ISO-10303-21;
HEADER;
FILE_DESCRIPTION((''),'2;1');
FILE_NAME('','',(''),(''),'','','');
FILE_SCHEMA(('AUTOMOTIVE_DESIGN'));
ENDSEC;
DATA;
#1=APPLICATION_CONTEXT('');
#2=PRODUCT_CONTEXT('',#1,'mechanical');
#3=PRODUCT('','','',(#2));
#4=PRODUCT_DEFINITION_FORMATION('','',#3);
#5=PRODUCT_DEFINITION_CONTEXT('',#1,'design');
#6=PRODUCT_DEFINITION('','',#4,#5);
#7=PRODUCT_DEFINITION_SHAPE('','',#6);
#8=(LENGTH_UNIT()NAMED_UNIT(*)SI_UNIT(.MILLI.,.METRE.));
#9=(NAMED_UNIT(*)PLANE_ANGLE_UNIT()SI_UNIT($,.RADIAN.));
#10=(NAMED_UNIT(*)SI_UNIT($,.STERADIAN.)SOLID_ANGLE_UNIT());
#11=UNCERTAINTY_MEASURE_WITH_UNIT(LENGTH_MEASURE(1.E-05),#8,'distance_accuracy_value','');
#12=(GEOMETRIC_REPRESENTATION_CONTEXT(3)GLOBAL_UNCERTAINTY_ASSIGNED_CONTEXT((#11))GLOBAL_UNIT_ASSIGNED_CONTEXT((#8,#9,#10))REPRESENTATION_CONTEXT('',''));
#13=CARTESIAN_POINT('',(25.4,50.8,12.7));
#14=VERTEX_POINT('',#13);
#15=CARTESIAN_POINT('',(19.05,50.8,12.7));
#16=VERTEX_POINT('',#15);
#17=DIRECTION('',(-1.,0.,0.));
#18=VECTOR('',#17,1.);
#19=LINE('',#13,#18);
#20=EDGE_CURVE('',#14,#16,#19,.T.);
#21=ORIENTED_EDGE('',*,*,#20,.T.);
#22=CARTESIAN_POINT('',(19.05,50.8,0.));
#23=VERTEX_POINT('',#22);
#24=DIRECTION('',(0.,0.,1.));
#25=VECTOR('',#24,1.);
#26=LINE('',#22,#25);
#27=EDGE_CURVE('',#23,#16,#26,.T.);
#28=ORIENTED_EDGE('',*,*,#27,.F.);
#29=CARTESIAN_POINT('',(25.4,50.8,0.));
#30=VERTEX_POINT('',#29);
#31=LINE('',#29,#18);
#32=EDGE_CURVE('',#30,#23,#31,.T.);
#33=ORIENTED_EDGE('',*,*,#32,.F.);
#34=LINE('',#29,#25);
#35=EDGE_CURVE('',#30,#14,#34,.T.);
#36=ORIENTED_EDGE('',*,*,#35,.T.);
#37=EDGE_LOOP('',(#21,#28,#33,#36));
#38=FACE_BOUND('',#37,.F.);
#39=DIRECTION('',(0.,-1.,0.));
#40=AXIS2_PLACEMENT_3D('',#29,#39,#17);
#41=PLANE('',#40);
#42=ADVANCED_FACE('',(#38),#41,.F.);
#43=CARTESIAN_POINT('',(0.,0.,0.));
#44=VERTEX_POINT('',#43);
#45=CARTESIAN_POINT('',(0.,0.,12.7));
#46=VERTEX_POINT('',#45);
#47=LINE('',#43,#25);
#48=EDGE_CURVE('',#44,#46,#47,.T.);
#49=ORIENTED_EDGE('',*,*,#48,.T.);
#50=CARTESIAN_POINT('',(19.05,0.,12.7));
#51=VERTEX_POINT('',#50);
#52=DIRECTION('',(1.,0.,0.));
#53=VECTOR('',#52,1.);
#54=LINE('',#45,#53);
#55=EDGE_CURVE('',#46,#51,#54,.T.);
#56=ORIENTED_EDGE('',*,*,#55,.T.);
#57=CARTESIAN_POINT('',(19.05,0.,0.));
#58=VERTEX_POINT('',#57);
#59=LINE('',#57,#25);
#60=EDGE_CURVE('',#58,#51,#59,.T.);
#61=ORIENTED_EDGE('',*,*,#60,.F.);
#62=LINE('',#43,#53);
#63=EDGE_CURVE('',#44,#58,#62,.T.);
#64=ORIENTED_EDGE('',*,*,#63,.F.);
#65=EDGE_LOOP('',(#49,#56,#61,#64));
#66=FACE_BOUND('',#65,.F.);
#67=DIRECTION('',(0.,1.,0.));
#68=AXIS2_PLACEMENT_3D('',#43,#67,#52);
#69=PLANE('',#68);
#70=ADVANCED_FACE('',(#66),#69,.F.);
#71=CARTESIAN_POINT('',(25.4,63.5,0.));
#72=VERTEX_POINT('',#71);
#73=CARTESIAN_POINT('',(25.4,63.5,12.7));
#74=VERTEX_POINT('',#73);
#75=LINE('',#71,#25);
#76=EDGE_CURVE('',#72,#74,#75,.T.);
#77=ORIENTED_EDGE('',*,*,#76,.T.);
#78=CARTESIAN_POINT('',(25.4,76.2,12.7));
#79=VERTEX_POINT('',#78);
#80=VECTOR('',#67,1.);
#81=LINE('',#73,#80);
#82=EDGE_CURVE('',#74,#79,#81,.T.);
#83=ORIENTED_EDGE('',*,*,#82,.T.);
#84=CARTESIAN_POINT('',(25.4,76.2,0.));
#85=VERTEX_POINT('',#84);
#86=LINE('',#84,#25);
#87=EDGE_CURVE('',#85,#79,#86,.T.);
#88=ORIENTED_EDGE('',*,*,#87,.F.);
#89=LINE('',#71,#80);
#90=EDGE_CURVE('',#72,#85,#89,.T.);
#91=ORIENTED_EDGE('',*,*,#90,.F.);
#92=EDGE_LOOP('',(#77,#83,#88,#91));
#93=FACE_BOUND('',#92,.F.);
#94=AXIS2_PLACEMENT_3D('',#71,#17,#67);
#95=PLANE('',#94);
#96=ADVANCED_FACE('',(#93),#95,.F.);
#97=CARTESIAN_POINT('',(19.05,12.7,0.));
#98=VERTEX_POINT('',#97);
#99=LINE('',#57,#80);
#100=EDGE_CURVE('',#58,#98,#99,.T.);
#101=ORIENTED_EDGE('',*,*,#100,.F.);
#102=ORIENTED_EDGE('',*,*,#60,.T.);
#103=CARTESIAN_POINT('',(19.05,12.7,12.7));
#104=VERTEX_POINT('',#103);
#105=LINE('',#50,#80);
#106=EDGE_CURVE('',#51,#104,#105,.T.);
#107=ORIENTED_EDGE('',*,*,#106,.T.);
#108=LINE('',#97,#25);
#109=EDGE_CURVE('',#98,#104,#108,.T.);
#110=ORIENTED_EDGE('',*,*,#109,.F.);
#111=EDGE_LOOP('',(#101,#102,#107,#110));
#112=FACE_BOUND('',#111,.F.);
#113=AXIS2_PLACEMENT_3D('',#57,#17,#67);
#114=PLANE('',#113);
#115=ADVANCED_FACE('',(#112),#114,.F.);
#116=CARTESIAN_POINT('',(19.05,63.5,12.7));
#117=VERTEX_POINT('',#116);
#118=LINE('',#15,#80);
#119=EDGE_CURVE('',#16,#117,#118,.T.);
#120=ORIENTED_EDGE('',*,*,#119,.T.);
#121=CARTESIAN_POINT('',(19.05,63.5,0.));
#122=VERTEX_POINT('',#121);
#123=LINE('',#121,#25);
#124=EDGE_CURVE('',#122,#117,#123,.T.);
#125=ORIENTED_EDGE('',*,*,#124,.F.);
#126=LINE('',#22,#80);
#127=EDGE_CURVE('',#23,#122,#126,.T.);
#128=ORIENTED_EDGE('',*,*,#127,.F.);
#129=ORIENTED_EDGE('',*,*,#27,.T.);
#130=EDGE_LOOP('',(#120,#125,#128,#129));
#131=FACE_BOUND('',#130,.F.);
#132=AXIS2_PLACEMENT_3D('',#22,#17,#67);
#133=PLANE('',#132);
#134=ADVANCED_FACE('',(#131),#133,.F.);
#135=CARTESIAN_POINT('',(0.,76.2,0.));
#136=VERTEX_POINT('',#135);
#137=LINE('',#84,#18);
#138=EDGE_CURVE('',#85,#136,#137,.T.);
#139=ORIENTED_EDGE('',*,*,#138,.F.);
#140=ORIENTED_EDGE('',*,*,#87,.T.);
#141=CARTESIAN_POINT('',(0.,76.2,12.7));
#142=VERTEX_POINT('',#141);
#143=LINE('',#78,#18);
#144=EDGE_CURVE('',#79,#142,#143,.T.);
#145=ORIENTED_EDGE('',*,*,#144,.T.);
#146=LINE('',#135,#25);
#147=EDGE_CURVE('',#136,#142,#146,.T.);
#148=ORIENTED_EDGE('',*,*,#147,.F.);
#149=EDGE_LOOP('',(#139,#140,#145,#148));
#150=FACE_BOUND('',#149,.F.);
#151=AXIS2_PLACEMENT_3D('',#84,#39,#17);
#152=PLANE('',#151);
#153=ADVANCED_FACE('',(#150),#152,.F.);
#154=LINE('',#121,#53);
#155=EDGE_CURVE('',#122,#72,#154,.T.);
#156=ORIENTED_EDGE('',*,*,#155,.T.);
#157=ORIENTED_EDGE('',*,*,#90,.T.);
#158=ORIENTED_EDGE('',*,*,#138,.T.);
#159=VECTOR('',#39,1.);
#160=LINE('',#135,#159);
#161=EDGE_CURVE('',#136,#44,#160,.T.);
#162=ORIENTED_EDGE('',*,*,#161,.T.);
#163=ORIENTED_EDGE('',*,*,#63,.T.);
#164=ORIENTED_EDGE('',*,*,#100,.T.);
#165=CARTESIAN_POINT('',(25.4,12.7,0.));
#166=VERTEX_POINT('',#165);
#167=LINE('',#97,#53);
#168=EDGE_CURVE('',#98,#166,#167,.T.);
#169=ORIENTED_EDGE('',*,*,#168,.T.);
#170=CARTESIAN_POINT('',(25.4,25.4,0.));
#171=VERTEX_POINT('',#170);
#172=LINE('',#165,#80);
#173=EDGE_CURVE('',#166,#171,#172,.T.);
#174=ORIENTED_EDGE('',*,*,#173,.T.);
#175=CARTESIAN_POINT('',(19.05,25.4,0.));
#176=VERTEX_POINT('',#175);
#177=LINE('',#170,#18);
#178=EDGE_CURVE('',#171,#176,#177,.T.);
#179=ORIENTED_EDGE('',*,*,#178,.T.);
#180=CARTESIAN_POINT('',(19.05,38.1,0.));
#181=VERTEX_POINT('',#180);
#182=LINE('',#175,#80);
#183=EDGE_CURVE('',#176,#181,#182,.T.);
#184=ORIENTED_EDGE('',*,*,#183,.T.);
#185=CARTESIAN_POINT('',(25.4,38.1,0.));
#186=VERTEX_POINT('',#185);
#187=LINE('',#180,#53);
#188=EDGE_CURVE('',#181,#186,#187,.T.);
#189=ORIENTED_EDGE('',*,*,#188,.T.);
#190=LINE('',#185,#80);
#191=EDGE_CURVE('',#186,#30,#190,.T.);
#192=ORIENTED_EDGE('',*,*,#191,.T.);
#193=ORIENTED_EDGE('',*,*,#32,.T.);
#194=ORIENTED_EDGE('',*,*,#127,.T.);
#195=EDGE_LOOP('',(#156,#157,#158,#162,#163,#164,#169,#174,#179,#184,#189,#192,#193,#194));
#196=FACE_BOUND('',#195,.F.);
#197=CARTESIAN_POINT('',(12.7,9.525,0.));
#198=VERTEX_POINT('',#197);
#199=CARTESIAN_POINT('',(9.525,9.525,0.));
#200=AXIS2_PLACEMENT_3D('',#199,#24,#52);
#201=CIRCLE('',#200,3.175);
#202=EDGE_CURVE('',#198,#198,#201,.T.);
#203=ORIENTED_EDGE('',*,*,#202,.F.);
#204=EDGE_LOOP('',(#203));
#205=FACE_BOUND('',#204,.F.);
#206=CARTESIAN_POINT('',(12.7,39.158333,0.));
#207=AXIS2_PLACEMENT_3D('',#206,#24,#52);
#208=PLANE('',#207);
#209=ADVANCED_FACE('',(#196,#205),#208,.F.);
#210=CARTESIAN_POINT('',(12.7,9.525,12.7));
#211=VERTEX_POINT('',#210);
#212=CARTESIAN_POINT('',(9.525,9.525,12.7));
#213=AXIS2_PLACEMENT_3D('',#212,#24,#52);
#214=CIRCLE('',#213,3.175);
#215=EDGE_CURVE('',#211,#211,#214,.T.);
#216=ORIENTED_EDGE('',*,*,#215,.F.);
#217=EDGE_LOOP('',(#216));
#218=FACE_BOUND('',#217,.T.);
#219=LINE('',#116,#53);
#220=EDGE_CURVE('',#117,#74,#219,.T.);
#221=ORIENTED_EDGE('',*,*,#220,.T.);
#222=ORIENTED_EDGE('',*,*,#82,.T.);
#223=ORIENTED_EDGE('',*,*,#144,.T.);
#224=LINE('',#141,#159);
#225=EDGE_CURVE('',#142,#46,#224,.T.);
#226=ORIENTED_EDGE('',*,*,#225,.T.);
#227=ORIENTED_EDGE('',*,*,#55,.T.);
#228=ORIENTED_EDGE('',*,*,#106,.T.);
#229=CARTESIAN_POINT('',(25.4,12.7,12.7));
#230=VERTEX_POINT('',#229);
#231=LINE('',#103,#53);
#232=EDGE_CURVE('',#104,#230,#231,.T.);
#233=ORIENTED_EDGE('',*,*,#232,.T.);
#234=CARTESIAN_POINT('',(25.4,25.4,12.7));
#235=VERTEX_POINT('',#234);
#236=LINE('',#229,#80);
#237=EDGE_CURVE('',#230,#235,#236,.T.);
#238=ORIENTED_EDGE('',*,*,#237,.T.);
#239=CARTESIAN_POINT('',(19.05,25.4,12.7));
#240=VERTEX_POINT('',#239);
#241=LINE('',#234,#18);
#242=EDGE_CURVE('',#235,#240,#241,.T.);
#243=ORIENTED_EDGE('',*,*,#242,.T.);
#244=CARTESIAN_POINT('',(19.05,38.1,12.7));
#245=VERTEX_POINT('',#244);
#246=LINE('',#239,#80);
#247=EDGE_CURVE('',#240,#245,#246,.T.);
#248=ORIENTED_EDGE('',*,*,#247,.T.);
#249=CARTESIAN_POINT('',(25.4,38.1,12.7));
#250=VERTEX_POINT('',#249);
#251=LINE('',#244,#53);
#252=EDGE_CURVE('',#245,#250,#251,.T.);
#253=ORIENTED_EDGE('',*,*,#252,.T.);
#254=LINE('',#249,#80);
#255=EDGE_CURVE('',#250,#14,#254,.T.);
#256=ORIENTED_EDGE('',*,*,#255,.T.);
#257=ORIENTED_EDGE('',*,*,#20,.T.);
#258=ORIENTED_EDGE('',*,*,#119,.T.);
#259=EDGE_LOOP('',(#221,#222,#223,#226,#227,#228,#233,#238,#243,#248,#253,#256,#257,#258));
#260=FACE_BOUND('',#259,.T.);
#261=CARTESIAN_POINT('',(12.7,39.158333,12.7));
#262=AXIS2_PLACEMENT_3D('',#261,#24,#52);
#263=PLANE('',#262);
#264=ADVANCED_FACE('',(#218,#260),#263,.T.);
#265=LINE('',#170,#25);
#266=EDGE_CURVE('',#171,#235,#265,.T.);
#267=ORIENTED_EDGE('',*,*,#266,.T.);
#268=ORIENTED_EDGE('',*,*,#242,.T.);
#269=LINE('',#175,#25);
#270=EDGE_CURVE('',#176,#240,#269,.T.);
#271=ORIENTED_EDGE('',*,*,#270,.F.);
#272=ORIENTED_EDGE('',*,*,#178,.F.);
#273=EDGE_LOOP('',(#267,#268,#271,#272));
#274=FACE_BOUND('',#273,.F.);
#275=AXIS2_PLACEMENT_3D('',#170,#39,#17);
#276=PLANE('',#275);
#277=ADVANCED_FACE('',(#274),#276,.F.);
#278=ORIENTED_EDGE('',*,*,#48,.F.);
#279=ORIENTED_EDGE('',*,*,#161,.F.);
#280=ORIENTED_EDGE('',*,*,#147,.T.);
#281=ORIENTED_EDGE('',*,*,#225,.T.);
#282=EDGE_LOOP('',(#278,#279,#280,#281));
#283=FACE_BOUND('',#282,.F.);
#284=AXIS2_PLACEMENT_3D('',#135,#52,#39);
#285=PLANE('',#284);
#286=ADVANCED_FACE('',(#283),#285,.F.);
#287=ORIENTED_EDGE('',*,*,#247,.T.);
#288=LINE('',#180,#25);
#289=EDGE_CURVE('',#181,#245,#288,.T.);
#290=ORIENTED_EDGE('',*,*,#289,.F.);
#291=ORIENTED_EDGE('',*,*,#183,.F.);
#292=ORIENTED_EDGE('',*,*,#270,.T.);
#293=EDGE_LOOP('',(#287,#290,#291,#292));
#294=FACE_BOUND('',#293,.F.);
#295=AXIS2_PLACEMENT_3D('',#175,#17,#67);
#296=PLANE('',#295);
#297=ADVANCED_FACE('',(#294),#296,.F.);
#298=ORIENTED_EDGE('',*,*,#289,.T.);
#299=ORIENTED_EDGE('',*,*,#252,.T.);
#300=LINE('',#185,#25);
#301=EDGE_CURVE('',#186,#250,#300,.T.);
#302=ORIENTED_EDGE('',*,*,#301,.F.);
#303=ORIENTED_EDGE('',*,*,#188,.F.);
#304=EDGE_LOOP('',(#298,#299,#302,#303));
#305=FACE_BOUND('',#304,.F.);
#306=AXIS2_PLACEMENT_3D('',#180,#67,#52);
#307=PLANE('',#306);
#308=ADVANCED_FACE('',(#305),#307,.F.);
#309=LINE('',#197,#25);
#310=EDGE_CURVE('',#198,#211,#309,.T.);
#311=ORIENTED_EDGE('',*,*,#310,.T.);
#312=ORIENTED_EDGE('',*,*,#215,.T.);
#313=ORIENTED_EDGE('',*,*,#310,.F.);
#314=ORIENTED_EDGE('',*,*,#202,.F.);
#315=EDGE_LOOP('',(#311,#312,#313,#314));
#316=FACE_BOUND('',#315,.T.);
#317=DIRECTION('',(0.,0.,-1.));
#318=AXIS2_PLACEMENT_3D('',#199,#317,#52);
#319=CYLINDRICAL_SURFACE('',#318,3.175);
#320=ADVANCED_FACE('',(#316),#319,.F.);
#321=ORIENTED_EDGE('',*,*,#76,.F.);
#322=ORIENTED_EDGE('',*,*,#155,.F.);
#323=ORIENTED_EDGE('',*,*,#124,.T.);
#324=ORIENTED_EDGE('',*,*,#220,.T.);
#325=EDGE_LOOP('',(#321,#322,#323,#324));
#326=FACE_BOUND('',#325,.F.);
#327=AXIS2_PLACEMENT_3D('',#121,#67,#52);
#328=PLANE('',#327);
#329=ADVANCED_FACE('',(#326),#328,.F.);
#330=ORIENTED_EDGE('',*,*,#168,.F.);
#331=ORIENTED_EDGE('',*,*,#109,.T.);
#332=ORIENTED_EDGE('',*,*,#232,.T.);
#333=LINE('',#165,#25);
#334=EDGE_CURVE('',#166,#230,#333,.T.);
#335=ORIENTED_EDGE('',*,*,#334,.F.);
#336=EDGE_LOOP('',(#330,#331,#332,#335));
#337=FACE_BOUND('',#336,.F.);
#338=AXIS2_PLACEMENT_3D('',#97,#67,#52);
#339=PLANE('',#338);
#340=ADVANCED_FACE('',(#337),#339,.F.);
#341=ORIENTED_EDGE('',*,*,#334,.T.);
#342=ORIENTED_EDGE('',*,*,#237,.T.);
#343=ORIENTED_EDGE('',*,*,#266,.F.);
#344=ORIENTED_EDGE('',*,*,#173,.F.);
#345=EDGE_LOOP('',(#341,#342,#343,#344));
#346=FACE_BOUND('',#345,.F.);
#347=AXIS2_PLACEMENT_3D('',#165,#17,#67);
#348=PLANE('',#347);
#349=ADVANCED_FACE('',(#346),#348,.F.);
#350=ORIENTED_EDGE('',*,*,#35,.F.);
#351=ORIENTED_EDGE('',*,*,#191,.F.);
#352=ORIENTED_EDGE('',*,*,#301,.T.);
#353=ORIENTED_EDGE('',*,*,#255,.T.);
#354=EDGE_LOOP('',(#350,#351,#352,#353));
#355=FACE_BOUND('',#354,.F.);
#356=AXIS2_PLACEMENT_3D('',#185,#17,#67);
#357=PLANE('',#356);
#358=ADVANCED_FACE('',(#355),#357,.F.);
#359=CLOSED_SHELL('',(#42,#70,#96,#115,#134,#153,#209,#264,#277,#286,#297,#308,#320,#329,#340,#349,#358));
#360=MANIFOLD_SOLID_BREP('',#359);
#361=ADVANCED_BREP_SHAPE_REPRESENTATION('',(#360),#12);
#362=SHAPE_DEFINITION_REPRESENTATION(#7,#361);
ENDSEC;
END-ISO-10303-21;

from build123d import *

# Parameters (mm, degrees)
F0_R     = 3.175
F1_DEPTH = 12.7


with BuildPart() as f1:
    # F0 (on Top) → F1 (new body)
    with BuildSketch(Plane.XY):
        Polygon((0, 76.2), (0, 0), (19.05, 0), (19.05, 12.7), (25.4, 12.7), (25.4, 25.4), (19.05, 25.4), (19.05, 38.1), (25.4, 38.1), (25.4, 50.8), (19.05, 50.8), (19.05, 63.5), (25.4, 63.5), (25.4, 76.2), (19.05, 76.2), align=None)
        with Locations((9.525, 9.525)):
            Circle(F0_R, mode=Mode.SUBTRACT)
    extrude(amount=F1_DEPTH)


solid = f1.part
